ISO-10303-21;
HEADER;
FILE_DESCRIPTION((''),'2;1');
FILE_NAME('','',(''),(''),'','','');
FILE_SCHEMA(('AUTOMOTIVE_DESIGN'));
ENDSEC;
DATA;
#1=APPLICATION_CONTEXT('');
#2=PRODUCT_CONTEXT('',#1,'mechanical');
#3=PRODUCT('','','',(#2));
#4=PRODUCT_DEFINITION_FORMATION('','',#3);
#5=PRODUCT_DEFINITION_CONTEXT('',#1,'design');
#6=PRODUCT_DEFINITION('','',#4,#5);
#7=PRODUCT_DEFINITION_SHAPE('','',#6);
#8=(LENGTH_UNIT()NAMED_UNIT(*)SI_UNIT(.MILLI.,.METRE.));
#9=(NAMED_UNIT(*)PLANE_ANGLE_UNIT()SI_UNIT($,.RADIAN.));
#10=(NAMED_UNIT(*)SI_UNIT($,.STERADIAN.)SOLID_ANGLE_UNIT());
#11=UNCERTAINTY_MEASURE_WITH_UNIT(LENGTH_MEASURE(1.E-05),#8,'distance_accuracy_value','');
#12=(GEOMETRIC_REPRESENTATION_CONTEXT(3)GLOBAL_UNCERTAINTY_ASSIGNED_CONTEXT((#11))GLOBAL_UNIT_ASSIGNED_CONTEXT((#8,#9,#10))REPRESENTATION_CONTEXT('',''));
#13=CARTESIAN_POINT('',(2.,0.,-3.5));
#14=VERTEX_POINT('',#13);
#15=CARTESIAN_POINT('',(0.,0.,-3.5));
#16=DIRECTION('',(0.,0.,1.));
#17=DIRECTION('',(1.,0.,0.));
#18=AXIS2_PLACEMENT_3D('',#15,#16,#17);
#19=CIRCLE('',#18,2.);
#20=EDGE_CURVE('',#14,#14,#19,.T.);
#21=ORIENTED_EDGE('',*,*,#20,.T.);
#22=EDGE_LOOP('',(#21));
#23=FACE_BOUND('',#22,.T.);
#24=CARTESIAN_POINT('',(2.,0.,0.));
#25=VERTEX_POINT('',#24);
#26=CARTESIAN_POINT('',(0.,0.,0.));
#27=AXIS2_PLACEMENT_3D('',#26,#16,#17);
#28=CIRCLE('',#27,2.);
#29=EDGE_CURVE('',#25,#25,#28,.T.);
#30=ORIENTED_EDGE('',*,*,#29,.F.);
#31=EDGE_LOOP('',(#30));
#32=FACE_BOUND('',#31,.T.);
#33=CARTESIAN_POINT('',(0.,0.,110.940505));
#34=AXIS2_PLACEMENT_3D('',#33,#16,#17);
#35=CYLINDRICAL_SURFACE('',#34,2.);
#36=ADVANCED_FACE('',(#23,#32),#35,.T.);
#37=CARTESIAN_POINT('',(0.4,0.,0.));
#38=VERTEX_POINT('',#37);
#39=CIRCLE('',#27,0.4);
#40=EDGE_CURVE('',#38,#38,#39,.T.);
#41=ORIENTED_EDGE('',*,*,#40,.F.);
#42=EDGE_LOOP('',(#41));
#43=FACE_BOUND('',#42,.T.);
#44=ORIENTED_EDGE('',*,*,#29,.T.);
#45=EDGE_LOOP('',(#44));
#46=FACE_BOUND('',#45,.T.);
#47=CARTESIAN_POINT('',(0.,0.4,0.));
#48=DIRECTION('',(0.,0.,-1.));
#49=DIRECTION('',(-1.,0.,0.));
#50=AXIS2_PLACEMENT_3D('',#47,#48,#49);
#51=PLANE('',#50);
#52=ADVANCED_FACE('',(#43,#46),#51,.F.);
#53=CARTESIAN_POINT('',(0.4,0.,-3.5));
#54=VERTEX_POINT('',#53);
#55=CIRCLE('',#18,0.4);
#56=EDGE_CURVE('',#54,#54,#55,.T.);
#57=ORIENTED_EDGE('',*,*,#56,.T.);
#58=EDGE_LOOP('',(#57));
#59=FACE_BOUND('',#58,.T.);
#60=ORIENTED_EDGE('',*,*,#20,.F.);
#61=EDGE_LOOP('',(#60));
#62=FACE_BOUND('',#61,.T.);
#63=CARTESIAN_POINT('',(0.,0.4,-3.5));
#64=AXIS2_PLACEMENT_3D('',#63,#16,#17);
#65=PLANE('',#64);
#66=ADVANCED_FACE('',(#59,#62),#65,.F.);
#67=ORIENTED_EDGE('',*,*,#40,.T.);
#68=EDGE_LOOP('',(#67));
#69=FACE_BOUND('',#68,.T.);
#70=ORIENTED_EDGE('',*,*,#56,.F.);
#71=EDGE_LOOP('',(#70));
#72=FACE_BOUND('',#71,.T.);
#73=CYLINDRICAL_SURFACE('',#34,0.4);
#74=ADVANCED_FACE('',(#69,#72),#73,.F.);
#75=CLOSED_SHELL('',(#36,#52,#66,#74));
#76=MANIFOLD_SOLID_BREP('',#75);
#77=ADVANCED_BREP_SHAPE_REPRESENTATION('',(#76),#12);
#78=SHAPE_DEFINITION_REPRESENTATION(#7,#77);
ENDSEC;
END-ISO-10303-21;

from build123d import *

# Parameters (mm, degrees)
SKETCH1_W = 3.5
SKETCH1_H = 1.6


with BuildPart() as part:
    # Sketch1 → Revolve1 (revolve)
    with BuildSketch(Plane(origin=(0, 0, 0), x_dir=(0, 0, -1), z_dir=(1, 0, 0)), mode=Mode.PRIVATE) as revolve1_sk:
        with Locations((1.75, 1.2)):
            Rectangle(SKETCH1_W, SKETCH1_H)
    revolve(revolve1_sk.sketch.rotate(Axis((0, 0, 110.940504922), (0, 0, -1)), 90), axis=Axis((0, 0, 110.940504922), (0, 0, -1)))


solid = part.part
